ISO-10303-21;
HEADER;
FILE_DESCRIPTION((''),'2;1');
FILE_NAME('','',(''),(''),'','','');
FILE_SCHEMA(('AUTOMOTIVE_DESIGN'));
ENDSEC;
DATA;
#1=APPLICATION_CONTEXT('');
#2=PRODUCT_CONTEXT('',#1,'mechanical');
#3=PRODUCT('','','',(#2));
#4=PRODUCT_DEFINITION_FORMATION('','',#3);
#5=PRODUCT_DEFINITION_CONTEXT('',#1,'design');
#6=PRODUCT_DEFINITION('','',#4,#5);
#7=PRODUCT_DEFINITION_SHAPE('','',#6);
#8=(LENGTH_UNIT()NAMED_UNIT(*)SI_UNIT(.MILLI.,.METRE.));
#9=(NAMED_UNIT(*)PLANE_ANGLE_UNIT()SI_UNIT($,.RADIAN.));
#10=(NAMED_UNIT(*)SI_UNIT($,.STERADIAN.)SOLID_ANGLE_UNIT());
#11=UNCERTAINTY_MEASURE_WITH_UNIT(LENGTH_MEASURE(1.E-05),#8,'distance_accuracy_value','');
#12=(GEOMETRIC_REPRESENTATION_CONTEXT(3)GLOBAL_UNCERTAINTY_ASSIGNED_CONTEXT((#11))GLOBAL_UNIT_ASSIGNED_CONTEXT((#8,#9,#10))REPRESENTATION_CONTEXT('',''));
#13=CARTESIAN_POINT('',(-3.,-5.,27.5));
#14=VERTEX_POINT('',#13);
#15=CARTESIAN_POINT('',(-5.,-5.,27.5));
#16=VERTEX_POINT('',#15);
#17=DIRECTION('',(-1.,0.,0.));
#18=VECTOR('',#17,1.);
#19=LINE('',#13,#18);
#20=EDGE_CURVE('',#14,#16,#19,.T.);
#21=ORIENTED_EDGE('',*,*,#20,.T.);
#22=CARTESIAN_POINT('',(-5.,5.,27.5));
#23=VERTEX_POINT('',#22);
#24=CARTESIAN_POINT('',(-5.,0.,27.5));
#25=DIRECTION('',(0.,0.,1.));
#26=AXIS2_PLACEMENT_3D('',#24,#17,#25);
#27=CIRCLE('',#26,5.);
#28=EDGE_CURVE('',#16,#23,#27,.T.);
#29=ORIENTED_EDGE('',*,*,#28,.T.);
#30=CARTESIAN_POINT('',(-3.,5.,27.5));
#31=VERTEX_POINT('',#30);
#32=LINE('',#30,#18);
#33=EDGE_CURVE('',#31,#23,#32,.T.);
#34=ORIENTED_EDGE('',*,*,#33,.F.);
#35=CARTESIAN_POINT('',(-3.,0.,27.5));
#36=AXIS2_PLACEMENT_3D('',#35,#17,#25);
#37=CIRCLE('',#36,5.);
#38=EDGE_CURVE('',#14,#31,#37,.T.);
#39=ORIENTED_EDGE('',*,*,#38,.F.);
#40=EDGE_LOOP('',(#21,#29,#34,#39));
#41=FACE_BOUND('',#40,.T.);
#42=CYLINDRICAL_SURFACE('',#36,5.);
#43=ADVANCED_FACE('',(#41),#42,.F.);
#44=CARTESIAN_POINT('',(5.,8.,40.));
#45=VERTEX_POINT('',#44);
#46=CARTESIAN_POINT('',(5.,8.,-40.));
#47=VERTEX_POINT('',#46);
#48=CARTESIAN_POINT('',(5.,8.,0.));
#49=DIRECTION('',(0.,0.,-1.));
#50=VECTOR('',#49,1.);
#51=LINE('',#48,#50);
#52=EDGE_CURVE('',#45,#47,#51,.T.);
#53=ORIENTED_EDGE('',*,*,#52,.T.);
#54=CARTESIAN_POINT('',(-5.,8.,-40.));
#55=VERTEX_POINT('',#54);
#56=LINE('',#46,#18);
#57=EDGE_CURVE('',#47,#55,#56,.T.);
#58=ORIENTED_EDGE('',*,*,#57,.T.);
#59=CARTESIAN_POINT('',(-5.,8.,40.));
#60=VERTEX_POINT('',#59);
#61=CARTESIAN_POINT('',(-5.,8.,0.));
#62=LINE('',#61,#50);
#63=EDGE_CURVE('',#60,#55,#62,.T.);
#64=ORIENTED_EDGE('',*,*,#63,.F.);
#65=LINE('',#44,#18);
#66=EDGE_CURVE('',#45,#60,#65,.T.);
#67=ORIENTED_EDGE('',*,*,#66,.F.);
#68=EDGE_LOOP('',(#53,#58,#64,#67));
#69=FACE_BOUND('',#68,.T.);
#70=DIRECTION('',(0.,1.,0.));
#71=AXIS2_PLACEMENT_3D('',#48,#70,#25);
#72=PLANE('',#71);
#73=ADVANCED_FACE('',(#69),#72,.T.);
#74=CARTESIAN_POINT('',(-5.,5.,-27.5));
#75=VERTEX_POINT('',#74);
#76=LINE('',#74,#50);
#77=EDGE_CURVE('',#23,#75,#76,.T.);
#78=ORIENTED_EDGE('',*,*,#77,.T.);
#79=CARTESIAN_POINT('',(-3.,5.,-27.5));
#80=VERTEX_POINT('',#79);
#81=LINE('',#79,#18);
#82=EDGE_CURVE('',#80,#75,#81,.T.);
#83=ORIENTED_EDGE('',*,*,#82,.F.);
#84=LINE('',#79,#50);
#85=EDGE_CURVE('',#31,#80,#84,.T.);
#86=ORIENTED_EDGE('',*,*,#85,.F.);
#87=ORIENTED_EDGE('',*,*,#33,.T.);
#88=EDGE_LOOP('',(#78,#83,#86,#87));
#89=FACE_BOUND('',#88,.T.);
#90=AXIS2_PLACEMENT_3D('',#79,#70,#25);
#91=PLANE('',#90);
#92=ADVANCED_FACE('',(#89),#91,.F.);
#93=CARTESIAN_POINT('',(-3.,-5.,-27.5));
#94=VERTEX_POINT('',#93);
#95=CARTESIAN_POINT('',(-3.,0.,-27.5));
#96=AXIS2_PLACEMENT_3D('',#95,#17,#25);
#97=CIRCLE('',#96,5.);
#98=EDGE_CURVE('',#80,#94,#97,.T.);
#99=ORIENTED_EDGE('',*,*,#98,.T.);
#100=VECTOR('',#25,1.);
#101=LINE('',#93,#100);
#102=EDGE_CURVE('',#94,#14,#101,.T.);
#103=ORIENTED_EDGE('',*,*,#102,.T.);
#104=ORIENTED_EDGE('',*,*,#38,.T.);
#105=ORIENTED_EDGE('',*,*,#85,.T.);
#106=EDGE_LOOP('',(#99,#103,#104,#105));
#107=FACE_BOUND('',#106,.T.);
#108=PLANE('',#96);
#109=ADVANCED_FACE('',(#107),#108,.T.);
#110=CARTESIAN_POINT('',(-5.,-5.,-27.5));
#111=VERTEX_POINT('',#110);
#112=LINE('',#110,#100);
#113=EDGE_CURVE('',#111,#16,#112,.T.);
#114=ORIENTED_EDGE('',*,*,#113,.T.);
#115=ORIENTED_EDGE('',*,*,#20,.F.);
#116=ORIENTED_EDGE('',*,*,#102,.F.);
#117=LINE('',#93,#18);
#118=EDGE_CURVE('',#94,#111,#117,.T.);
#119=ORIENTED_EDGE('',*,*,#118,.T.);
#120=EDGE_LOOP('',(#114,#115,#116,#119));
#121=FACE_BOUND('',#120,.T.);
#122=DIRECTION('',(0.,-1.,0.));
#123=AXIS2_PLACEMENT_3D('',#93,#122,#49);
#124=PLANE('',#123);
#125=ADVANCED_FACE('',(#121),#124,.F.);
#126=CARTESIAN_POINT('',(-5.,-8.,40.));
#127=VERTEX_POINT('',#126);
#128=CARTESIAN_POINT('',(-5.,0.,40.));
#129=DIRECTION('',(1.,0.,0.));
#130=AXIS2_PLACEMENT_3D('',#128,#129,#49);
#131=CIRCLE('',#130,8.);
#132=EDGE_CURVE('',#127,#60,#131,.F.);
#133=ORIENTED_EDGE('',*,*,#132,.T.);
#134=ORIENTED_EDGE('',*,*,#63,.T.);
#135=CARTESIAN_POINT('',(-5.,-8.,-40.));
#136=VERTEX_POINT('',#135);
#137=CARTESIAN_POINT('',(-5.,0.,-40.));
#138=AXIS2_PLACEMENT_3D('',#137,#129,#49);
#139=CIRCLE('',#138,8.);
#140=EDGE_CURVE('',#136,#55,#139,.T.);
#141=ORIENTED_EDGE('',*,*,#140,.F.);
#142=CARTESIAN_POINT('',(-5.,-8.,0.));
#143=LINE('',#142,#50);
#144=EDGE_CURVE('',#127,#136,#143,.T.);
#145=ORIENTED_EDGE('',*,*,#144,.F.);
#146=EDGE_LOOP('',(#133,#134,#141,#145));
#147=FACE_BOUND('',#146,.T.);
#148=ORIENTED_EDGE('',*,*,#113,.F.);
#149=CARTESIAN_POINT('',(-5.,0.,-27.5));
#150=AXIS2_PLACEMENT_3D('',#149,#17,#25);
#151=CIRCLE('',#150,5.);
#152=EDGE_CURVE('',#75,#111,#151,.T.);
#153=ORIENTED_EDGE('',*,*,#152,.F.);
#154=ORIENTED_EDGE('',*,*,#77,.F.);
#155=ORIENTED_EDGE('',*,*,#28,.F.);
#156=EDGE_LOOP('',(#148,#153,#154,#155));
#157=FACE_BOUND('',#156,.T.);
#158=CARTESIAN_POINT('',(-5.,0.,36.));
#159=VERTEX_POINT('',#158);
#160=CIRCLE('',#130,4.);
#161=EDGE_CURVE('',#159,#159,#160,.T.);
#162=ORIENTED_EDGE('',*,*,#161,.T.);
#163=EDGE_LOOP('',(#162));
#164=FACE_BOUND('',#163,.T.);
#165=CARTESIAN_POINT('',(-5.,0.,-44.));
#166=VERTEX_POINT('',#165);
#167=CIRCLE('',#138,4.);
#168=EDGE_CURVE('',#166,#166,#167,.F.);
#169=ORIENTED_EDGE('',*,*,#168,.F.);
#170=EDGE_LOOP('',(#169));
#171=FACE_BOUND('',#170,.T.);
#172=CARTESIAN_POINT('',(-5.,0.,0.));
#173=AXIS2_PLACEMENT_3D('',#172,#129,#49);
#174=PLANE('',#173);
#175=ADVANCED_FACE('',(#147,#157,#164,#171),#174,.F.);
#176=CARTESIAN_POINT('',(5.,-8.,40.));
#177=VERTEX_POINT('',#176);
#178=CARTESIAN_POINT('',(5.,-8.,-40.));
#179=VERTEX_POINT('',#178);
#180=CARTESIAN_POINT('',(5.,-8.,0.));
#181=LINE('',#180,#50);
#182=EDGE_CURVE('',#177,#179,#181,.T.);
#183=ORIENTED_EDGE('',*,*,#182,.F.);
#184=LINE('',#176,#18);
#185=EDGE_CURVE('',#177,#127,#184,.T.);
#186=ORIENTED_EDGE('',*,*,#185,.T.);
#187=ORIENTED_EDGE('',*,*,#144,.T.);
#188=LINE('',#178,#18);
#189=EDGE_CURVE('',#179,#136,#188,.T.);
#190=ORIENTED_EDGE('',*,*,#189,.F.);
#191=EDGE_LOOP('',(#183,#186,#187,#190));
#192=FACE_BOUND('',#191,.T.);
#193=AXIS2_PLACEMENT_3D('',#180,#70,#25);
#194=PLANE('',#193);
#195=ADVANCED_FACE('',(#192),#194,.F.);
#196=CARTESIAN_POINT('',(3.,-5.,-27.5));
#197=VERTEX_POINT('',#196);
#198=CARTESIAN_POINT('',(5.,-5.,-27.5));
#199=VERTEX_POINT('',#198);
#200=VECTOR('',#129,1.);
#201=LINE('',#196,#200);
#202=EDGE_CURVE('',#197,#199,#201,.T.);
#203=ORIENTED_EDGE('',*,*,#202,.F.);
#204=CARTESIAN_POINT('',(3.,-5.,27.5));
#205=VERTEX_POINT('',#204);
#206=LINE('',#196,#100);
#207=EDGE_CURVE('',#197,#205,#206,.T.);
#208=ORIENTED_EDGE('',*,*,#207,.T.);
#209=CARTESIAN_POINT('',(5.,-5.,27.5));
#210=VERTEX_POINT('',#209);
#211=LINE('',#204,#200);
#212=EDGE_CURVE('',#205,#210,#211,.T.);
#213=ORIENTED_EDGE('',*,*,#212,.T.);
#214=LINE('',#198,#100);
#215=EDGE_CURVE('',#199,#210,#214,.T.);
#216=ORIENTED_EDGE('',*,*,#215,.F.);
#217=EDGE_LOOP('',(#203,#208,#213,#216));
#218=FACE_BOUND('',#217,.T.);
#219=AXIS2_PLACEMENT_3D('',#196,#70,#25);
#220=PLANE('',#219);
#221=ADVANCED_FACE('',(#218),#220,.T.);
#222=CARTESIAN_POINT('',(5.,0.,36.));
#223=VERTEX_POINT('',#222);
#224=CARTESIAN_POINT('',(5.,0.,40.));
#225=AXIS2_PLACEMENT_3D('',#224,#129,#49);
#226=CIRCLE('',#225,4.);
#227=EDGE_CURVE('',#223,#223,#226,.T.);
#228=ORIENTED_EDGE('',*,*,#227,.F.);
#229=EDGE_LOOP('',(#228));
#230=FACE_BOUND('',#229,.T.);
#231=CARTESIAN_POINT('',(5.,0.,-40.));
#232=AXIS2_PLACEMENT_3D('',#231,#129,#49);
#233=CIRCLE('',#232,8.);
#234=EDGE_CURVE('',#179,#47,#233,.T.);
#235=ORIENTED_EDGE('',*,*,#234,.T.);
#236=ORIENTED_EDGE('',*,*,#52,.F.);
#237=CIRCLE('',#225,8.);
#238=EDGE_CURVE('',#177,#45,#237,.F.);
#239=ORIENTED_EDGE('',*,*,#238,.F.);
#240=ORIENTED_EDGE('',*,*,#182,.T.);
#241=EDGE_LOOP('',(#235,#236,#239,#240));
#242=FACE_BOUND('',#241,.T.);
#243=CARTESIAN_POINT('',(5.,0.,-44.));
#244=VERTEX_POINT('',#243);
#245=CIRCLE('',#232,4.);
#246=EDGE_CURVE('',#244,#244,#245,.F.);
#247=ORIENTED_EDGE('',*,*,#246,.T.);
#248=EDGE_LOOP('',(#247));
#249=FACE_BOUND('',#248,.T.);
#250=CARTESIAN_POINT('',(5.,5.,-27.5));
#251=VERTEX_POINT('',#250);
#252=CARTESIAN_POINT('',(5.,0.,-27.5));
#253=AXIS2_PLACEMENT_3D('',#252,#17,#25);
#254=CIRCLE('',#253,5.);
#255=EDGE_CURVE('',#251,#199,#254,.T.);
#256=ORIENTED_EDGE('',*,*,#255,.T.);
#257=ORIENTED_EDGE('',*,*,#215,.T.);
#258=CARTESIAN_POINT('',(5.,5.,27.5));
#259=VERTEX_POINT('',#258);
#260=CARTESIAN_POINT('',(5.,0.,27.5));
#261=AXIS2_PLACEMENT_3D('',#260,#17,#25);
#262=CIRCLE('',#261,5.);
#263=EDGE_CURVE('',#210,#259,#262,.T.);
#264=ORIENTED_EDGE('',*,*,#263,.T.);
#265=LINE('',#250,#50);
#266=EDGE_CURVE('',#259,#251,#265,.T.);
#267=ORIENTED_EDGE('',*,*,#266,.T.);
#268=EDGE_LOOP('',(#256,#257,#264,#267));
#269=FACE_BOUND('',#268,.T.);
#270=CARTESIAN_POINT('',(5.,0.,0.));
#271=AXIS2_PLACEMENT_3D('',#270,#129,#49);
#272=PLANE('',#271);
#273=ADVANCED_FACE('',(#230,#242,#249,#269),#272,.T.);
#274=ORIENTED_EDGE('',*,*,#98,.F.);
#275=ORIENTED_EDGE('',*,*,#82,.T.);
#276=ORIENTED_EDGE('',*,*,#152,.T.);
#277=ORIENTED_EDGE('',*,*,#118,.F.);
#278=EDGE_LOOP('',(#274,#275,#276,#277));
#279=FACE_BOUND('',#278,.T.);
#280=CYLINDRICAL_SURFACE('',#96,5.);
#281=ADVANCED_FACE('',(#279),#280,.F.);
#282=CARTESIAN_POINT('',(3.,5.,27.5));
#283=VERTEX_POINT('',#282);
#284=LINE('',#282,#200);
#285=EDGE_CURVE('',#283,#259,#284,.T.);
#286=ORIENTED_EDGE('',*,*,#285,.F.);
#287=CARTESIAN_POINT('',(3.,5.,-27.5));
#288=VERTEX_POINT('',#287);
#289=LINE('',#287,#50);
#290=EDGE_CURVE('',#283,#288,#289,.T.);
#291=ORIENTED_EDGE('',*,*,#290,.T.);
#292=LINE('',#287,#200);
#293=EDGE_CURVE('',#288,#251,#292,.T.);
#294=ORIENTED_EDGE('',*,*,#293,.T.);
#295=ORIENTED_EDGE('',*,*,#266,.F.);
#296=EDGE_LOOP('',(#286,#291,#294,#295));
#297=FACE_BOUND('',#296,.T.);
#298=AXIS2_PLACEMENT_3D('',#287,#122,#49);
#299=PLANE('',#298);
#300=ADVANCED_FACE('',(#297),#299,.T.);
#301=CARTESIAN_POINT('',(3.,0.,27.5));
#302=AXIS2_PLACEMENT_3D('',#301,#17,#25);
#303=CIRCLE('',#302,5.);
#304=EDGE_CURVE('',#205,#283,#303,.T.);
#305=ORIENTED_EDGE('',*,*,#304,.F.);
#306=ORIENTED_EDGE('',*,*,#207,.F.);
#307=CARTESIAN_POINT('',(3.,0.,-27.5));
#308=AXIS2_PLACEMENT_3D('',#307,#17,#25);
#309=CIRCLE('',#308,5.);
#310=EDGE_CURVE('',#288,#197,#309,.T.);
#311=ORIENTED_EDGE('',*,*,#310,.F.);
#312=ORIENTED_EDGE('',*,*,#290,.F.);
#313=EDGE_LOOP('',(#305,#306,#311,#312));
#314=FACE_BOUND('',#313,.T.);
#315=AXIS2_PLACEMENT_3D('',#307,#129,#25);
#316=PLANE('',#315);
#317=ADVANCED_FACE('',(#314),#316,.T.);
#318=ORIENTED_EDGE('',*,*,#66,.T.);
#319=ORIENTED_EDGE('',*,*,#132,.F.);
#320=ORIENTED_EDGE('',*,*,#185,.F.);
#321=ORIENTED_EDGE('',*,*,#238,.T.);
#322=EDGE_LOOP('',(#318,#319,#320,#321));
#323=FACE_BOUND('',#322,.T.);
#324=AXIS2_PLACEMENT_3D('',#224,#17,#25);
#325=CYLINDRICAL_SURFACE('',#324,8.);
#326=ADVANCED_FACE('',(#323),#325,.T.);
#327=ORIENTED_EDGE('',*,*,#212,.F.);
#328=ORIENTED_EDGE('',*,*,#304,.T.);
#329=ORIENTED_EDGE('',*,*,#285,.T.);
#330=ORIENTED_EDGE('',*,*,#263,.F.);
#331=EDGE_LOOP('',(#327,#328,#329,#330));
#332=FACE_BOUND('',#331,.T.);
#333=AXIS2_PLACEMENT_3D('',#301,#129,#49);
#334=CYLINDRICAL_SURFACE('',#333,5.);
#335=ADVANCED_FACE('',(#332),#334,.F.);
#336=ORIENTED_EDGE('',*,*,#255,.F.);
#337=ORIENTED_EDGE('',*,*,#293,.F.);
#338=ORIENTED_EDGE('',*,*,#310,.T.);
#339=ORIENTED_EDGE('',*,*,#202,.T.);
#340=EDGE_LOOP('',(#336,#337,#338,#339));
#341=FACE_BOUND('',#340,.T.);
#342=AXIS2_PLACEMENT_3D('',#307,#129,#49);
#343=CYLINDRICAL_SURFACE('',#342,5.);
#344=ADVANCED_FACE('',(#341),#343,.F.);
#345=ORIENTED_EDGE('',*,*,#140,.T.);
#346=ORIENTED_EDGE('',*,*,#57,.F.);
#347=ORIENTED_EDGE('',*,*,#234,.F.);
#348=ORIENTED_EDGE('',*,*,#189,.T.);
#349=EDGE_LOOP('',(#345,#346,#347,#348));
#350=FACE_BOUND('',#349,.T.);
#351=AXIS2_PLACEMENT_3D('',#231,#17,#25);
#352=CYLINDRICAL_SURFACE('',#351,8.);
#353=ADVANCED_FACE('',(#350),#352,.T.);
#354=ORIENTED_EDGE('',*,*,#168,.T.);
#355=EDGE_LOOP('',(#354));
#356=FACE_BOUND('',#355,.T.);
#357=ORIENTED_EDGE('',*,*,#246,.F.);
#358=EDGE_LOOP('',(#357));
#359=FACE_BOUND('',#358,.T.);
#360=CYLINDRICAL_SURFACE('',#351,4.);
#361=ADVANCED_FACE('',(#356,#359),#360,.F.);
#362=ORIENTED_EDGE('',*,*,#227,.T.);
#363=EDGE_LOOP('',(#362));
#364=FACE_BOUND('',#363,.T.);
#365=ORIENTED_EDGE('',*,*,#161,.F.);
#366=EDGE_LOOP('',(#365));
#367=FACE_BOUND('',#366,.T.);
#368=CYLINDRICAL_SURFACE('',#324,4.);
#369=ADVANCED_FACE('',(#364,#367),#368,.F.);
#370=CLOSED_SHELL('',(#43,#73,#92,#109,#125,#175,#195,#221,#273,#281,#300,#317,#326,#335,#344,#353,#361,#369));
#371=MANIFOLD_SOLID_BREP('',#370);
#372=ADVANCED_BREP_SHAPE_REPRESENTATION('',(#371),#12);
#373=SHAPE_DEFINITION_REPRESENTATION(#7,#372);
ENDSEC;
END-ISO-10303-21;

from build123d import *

# Parameters (mm, degrees)
SKETCH_1_R          = 4
EXTRUDE_1_DEPTH     = 5
CUT_EXTRUDE_1_DEPTH = 2


with BuildPart() as part:
    # 草图1 → 凸台-拉伸1 (new body, symmetric)
    with BuildSketch(Plane(origin=(0, 0, 0), x_dir=(0, 0, -1), z_dir=(1, 0, 0))):
        with BuildLine():
            Line((-40, 8), (40, 8))
            ThreePointArc((40, 8), (48, 0), (40, -8))
            Line((40, -8), (-40, -8))
            ThreePointArc((-40, -8), (-48, 0), (-40, 8))
        make_face()
        with Locations((40, 0)):
            Circle(SKETCH_1_R, mode=Mode.SUBTRACT)
        with Locations((-40, 0)):
            Circle(SKETCH_1_R, mode=Mode.SUBTRACT)
    extrude(amount=EXTRUDE_1_DEPTH, both=True)

    # 草图2 → 切除-拉伸1 (cut)
    with BuildSketch(Plane.ZY.offset(5)):
        with BuildLine():
            Line((-27.5, 5), (27.5, 5))
            ThreePointArc((27.5, 5), (32.5, 0), (27.5, -5))
            Line((27.5, -5), (-27.5, -5))
            ThreePointArc((-27.5, -5), (-32.5, 0), (-27.5, 5))
        make_face()
    cut_extrude_1 = extrude(amount=-CUT_EXTRUDE_1_DEPTH, mode=Mode.SUBTRACT)

    # 镜向1: 切除-拉伸1 across plane
    add(cut_extrude_1.mirror(Plane(origin=(0, 0, 0), x_dir=(0, 0, 1), z_dir=(1, 0, 0))), mode=Mode.SUBTRACT)


solid = part.part
